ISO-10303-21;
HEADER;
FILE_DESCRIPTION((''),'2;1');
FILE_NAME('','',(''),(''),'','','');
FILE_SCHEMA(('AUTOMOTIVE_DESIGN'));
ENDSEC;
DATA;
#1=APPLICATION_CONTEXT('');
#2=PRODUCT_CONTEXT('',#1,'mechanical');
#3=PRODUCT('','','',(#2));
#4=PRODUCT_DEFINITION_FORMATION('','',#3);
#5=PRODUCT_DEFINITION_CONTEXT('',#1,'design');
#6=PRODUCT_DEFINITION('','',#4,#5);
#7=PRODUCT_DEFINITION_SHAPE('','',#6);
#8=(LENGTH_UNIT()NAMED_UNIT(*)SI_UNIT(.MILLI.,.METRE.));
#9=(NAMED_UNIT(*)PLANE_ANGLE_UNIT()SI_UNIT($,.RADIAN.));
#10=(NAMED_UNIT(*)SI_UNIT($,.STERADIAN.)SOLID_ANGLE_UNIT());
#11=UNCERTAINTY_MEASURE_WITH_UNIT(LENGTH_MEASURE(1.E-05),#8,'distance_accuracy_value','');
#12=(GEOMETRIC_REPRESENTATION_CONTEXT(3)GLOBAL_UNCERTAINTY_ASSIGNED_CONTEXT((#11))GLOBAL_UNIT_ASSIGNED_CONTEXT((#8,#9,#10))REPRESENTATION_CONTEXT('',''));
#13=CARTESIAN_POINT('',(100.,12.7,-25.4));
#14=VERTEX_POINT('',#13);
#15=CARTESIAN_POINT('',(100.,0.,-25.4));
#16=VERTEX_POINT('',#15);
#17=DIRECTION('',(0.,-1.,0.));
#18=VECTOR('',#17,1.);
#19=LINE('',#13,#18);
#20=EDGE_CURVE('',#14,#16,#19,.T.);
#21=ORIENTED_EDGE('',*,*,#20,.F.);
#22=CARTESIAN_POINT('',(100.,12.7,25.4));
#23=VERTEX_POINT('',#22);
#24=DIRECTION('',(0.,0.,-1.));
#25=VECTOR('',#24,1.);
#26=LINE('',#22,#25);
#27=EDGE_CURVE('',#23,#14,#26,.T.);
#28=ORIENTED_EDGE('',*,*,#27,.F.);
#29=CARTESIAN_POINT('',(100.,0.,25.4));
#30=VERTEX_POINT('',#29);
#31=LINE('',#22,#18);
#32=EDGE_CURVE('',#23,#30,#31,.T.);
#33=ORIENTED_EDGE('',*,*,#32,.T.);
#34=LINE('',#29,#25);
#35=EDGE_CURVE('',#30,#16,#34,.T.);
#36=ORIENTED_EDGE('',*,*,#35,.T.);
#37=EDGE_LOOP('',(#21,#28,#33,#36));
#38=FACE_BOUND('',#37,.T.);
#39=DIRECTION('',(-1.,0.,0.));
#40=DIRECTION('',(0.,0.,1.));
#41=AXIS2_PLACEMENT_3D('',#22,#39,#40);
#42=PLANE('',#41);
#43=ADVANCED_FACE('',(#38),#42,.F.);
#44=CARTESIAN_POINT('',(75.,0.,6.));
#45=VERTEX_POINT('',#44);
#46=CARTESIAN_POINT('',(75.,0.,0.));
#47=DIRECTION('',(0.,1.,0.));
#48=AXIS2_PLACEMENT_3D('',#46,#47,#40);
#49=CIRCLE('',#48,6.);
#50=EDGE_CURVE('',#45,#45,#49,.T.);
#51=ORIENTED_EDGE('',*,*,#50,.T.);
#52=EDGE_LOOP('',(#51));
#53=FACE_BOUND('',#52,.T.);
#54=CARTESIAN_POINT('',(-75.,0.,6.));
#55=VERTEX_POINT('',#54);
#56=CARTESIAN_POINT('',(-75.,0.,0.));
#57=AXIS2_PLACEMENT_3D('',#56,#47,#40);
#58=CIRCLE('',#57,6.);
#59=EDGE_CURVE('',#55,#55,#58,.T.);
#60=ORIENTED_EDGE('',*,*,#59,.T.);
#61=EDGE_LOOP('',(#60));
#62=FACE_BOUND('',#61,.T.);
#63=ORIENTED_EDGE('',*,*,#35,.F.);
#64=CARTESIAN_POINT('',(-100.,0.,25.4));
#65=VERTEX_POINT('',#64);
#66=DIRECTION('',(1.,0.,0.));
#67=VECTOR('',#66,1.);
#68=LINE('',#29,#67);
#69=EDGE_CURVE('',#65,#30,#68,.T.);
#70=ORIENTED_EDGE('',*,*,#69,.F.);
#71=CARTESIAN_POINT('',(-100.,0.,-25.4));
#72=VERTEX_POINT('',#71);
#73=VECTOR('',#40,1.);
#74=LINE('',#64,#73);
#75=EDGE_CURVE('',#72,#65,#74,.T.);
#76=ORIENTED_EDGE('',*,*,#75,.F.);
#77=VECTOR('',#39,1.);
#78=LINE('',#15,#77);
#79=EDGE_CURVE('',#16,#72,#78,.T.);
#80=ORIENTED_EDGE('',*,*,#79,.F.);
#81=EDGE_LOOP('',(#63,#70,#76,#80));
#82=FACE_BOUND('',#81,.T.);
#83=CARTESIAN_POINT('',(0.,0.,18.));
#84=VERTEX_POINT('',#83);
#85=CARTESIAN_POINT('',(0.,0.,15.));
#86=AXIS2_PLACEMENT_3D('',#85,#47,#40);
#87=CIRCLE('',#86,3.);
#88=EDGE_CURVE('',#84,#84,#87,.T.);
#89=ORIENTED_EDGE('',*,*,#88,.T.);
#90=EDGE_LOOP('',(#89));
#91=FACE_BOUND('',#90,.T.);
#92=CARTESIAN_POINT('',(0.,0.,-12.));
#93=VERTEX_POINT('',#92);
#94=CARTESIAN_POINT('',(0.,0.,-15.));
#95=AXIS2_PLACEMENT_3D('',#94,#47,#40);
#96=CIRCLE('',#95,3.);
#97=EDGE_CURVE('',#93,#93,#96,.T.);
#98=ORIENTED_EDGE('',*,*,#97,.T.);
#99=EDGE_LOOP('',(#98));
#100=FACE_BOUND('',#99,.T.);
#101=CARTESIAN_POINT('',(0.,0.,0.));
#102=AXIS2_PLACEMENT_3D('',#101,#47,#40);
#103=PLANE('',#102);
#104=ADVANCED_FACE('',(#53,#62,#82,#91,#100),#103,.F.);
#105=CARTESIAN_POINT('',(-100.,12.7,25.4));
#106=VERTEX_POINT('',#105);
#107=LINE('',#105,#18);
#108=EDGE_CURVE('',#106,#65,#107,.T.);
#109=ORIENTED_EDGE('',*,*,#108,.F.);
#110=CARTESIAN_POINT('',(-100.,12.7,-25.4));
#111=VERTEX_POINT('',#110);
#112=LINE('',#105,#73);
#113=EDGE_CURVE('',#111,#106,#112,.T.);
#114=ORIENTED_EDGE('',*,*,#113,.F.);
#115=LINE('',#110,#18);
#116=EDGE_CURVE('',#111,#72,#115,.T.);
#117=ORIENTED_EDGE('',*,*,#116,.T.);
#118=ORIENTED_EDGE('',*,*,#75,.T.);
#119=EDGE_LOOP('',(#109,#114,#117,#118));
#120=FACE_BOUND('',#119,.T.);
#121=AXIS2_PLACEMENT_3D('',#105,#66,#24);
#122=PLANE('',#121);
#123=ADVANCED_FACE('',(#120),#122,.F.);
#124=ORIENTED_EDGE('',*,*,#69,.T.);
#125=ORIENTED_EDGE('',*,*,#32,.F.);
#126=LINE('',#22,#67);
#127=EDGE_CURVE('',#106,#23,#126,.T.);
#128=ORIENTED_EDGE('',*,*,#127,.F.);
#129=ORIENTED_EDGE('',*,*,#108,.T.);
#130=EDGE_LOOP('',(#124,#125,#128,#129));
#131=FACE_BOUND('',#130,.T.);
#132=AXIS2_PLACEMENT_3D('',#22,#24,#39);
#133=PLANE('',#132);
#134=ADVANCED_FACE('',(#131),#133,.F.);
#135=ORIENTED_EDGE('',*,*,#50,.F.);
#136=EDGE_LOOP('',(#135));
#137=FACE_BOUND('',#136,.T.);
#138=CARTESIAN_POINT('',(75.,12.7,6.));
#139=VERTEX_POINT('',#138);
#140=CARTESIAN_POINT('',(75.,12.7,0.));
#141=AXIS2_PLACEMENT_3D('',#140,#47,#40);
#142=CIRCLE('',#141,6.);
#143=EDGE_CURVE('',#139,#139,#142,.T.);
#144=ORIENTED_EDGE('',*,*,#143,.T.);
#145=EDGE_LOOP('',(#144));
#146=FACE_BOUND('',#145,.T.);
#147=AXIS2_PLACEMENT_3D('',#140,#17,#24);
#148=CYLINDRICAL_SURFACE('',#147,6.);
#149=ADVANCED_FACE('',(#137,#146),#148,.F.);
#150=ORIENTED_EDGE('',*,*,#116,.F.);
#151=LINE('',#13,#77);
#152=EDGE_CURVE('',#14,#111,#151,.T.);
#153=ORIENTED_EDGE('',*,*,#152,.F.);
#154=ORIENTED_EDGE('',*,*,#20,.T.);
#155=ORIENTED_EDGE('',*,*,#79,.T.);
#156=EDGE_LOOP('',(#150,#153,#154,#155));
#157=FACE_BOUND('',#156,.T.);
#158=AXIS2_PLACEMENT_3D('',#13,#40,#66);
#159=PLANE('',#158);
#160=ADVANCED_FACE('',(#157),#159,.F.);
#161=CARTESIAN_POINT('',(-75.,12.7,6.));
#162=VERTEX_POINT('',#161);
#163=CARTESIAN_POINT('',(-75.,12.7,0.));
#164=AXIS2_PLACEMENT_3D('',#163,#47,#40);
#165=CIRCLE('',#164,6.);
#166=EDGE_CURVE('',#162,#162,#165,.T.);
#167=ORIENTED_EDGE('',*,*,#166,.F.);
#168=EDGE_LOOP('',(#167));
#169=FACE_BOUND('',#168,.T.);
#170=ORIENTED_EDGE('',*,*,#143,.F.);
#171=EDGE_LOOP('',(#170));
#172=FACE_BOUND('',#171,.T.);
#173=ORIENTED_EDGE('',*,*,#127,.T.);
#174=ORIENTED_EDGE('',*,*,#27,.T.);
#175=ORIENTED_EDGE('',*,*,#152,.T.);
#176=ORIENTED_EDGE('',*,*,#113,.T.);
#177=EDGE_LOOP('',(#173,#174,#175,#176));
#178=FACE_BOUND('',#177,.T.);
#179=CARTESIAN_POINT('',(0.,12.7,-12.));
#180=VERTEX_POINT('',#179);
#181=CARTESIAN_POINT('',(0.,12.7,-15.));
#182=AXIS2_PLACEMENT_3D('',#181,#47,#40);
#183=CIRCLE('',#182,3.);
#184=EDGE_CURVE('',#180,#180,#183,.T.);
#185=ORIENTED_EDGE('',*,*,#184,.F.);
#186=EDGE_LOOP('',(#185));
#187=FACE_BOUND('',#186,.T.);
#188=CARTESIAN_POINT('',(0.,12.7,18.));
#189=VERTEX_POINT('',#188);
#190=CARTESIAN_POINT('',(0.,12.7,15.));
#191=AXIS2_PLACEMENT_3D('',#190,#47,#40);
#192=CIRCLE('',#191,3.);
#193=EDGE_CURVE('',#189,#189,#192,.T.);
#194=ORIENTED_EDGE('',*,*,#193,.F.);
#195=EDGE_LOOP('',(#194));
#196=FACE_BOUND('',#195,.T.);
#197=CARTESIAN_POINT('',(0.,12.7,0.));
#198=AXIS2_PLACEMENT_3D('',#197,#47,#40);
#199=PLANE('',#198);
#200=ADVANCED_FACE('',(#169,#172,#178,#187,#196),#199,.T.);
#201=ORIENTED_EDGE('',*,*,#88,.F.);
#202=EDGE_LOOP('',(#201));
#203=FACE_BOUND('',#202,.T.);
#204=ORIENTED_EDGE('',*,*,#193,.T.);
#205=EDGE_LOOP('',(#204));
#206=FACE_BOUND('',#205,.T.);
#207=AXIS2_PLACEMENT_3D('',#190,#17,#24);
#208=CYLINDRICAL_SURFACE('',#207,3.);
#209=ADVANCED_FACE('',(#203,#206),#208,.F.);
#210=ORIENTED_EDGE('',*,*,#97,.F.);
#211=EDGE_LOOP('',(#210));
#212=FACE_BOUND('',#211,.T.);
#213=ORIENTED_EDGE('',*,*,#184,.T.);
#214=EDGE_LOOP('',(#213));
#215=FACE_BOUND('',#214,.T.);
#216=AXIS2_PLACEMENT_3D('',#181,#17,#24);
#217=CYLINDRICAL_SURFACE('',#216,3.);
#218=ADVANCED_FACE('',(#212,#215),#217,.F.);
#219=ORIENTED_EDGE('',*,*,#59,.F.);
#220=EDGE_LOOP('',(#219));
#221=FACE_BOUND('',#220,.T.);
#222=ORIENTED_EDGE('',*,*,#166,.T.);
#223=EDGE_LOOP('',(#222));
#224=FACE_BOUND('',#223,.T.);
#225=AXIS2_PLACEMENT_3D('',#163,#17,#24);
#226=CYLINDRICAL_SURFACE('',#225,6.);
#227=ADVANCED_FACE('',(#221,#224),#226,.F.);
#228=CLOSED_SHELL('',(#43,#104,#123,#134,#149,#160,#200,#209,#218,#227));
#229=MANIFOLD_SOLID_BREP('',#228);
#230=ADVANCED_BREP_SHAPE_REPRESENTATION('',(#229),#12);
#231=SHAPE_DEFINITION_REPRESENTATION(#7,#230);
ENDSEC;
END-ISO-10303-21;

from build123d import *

# Parameters (mm, degrees)
CROQUIS1_W              = 200
CROQUIS1_H              = 50.8
CROQUIS1_R              = 3
CROQUIS1_R_2            = 6
SALIENTE_EXTRUIR1_DEPTH = 12.7


with BuildPart() as part:
    # Croquis1 → Saliente-Extruir1 (new body)
    with BuildSketch(Plane(origin=(0, 0, 0), x_dir=(1, 0, 0), z_dir=(0, 1, 0))):
        Rectangle(CROQUIS1_W, CROQUIS1_H)
        with Locations(Location((0, 15, 0), (0, 0, 270))):
            Circle(CROQUIS1_R, mode=Mode.SUBTRACT)
        with Locations(Location((0, -15, 0), (0, 0, 270))):
            Circle(CROQUIS1_R, mode=Mode.SUBTRACT)
        with Locations(Location((-75, 0, 0), (0, 0, 270))):
            Circle(CROQUIS1_R_2, mode=Mode.SUBTRACT)
        with Locations(Location((75, 0, 0), (0, 0, 270))):
            Circle(CROQUIS1_R_2, mode=Mode.SUBTRACT)
    extrude(amount=SALIENTE_EXTRUIR1_DEPTH)


solid = part.part
